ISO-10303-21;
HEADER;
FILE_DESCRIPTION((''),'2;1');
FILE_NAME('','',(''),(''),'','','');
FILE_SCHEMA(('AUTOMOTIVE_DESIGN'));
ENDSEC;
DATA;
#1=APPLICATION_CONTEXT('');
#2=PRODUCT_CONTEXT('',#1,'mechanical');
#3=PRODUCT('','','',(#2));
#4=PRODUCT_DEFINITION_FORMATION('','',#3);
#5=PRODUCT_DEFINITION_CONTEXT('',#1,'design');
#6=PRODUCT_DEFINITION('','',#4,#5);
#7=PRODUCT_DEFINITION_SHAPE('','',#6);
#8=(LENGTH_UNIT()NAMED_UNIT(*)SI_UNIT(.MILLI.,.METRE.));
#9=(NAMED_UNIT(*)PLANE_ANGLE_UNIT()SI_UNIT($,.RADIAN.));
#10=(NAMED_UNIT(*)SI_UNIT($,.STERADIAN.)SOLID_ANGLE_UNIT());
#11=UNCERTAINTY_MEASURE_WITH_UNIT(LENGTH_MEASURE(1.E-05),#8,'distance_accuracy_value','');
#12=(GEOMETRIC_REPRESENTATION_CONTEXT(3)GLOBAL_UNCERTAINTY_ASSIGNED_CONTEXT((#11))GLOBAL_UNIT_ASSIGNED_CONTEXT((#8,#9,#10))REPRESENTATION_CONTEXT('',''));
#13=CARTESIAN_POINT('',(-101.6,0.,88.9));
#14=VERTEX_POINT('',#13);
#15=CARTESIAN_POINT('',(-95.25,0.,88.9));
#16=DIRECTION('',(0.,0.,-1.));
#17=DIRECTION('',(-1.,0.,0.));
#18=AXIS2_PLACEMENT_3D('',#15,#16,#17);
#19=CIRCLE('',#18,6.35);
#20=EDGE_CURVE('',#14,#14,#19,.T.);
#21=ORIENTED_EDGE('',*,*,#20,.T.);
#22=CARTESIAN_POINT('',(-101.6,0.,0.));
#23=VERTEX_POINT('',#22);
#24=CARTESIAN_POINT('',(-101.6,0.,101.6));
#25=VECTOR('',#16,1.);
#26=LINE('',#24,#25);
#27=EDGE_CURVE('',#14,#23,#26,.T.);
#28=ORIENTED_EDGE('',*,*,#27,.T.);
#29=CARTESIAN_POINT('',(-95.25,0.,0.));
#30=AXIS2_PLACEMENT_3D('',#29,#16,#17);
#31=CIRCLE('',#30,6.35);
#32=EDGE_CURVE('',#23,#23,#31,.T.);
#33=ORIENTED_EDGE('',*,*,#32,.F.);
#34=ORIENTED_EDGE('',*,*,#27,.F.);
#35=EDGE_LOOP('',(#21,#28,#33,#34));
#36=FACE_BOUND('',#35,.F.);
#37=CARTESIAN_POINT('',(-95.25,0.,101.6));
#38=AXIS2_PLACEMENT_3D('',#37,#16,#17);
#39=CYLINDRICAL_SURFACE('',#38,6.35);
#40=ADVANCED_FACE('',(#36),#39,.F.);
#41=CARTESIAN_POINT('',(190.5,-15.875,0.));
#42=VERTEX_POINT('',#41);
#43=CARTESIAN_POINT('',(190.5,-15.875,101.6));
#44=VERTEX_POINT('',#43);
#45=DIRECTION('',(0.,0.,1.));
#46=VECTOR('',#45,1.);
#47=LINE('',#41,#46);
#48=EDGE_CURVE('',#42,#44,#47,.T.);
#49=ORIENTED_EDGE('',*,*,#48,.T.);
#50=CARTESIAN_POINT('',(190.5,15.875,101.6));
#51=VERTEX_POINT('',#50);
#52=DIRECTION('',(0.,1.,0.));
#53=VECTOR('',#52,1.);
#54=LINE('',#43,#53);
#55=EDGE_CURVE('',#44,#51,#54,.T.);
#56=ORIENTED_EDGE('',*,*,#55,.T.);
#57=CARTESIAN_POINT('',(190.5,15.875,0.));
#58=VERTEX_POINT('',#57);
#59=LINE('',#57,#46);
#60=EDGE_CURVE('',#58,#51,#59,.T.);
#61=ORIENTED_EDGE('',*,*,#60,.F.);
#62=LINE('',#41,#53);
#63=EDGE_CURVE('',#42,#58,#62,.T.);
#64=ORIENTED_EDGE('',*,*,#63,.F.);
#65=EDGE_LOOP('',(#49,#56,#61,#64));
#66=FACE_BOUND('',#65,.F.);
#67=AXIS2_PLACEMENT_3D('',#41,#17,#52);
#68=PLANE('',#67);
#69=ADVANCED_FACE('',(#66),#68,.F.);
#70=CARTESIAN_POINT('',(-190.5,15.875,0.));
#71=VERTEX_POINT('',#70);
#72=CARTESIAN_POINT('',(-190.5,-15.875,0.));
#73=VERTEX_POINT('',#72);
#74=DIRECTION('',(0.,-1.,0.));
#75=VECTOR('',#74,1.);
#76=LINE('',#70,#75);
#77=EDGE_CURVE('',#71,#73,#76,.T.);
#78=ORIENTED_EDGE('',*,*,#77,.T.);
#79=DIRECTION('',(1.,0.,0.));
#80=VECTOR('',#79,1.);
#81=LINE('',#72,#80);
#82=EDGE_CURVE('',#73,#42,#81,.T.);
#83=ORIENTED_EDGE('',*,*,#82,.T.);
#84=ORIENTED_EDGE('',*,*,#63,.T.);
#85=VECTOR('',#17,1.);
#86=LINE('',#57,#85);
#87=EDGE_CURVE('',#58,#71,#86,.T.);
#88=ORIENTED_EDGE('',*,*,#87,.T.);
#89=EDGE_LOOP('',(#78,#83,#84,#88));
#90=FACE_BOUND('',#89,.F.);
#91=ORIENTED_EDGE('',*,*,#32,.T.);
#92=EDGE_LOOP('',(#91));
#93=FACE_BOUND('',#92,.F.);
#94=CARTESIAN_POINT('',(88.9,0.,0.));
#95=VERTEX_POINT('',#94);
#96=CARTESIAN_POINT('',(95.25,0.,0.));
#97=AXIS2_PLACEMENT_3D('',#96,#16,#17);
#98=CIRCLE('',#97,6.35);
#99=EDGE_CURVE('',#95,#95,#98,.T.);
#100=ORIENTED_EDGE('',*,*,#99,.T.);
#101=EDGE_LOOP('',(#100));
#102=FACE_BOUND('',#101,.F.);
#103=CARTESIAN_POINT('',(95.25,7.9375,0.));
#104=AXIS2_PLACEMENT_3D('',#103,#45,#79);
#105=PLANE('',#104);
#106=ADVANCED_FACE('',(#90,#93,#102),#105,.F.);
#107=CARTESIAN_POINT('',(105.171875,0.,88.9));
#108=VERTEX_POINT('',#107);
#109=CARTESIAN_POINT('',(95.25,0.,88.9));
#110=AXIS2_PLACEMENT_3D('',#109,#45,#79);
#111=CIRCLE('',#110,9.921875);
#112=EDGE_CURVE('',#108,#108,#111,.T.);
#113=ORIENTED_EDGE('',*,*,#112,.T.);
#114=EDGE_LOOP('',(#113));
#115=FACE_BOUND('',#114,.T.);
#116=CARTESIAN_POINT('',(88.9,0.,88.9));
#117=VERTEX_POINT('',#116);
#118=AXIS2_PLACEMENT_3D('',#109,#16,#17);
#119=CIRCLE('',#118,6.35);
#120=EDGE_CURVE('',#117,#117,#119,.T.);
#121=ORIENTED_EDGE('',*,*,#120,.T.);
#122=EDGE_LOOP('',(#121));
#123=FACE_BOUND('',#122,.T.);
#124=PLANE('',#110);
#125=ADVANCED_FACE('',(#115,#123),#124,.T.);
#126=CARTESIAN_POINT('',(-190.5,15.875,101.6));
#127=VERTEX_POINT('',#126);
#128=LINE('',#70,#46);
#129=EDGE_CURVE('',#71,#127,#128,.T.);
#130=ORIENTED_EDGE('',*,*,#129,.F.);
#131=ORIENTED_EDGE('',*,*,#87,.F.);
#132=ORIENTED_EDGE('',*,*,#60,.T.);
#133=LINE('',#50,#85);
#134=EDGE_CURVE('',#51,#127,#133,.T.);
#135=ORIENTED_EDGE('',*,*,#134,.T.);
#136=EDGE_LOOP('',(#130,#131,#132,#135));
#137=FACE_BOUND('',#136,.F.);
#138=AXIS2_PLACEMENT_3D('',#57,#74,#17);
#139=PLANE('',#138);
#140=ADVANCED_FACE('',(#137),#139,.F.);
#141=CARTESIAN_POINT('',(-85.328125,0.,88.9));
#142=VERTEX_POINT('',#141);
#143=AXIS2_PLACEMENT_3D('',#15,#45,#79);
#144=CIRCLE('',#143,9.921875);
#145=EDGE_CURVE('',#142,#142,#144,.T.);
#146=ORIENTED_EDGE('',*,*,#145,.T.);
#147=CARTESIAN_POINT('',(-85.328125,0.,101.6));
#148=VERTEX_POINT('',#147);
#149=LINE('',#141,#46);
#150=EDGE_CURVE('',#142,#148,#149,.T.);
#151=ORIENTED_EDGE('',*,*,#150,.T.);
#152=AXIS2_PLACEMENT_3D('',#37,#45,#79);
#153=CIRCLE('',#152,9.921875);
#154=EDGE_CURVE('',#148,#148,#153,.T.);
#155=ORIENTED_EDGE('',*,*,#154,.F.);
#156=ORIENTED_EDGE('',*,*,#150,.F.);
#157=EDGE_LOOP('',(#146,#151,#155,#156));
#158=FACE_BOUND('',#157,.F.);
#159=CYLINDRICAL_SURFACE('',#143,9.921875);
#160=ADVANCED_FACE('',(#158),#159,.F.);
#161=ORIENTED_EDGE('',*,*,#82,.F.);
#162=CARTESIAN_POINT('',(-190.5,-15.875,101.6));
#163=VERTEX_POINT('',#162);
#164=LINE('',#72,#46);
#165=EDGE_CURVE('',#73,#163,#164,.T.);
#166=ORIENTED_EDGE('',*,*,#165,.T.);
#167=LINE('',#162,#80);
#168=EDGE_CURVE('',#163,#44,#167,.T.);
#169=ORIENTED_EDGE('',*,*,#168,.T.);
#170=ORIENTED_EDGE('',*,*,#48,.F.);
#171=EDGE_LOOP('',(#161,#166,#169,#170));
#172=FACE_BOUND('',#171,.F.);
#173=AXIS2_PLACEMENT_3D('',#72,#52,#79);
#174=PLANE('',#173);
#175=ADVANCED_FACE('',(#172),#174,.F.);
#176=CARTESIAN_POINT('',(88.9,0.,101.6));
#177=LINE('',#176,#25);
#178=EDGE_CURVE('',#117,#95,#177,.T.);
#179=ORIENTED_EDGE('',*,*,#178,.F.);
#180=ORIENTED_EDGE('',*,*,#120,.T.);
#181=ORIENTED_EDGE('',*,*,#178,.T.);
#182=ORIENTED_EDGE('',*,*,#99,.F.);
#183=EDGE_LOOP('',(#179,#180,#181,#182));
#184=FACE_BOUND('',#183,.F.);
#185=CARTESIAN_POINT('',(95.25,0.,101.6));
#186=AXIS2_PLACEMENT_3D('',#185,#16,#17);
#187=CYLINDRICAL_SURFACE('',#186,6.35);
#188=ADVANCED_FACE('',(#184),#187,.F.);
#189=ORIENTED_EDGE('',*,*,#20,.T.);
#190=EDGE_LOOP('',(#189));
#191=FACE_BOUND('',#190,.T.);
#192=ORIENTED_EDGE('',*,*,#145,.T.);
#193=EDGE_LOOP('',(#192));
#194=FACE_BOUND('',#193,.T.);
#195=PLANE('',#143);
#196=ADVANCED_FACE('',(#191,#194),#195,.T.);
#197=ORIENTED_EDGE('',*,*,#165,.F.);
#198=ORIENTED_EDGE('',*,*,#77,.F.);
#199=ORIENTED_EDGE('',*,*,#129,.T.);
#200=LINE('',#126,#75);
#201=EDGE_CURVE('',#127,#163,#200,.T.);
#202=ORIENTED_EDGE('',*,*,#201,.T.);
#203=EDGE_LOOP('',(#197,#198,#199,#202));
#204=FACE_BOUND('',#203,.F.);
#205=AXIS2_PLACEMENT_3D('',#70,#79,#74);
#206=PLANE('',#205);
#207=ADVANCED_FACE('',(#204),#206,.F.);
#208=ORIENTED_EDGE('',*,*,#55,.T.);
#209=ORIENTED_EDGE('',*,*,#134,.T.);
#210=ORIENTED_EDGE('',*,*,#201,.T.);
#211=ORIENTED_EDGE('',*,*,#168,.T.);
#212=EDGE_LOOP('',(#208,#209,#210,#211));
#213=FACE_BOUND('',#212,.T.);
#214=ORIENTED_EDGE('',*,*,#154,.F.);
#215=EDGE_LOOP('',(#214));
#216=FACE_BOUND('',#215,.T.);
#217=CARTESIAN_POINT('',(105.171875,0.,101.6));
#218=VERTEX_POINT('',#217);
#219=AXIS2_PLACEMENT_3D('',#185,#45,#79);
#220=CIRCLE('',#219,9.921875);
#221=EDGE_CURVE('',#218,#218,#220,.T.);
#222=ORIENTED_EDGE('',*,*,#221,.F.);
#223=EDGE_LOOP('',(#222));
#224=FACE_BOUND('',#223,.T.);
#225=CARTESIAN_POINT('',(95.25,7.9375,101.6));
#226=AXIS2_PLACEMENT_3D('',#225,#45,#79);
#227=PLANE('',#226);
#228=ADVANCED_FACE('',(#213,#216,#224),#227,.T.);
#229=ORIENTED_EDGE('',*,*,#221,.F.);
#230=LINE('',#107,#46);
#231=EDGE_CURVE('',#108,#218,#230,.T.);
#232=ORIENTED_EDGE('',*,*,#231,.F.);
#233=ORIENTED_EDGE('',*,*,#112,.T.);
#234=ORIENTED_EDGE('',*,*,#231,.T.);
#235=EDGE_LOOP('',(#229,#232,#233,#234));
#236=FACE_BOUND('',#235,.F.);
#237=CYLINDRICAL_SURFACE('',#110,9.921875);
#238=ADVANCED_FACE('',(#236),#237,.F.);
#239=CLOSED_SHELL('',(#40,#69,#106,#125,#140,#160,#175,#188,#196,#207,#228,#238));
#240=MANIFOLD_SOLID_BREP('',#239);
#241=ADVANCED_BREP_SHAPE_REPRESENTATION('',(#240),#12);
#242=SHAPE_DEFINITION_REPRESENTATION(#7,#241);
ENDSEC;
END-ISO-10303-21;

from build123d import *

# Parameters (mm, degrees)
F0_W           = 190.5
F0_H           = 15.875
F1_DEPTH       = 101.6
F3_D           = 12.7
F3_CBORE_D     = 19.84375
F3_CBORE_DEPTH = 12.7


with BuildPart() as f1:
    # F0 (on Top) → F1 (new body)
    with BuildSketch(Plane.XY):
        with Locations((95.25, 7.9375)):
            Rectangle(F0_W, F0_H)
        with Locations((-95.25, 7.9375)):
            Rectangle(F0_W, F0_H)
        with Locations((95.25, -7.9375)):
            Rectangle(F0_W, F0_H)
        with Locations((-95.25, -7.9375)):
            Rectangle(F0_W, F0_H)
    extrude(amount=F1_DEPTH)

    # F3 (through all)
    with Locations(Plane.XY.offset(101.6)):
        with Locations((-95.25, 0), (95.25, 0)):
            CounterBoreHole(F3_D / 2, F3_CBORE_D / 2, F3_CBORE_DEPTH)


solid = f1.part
